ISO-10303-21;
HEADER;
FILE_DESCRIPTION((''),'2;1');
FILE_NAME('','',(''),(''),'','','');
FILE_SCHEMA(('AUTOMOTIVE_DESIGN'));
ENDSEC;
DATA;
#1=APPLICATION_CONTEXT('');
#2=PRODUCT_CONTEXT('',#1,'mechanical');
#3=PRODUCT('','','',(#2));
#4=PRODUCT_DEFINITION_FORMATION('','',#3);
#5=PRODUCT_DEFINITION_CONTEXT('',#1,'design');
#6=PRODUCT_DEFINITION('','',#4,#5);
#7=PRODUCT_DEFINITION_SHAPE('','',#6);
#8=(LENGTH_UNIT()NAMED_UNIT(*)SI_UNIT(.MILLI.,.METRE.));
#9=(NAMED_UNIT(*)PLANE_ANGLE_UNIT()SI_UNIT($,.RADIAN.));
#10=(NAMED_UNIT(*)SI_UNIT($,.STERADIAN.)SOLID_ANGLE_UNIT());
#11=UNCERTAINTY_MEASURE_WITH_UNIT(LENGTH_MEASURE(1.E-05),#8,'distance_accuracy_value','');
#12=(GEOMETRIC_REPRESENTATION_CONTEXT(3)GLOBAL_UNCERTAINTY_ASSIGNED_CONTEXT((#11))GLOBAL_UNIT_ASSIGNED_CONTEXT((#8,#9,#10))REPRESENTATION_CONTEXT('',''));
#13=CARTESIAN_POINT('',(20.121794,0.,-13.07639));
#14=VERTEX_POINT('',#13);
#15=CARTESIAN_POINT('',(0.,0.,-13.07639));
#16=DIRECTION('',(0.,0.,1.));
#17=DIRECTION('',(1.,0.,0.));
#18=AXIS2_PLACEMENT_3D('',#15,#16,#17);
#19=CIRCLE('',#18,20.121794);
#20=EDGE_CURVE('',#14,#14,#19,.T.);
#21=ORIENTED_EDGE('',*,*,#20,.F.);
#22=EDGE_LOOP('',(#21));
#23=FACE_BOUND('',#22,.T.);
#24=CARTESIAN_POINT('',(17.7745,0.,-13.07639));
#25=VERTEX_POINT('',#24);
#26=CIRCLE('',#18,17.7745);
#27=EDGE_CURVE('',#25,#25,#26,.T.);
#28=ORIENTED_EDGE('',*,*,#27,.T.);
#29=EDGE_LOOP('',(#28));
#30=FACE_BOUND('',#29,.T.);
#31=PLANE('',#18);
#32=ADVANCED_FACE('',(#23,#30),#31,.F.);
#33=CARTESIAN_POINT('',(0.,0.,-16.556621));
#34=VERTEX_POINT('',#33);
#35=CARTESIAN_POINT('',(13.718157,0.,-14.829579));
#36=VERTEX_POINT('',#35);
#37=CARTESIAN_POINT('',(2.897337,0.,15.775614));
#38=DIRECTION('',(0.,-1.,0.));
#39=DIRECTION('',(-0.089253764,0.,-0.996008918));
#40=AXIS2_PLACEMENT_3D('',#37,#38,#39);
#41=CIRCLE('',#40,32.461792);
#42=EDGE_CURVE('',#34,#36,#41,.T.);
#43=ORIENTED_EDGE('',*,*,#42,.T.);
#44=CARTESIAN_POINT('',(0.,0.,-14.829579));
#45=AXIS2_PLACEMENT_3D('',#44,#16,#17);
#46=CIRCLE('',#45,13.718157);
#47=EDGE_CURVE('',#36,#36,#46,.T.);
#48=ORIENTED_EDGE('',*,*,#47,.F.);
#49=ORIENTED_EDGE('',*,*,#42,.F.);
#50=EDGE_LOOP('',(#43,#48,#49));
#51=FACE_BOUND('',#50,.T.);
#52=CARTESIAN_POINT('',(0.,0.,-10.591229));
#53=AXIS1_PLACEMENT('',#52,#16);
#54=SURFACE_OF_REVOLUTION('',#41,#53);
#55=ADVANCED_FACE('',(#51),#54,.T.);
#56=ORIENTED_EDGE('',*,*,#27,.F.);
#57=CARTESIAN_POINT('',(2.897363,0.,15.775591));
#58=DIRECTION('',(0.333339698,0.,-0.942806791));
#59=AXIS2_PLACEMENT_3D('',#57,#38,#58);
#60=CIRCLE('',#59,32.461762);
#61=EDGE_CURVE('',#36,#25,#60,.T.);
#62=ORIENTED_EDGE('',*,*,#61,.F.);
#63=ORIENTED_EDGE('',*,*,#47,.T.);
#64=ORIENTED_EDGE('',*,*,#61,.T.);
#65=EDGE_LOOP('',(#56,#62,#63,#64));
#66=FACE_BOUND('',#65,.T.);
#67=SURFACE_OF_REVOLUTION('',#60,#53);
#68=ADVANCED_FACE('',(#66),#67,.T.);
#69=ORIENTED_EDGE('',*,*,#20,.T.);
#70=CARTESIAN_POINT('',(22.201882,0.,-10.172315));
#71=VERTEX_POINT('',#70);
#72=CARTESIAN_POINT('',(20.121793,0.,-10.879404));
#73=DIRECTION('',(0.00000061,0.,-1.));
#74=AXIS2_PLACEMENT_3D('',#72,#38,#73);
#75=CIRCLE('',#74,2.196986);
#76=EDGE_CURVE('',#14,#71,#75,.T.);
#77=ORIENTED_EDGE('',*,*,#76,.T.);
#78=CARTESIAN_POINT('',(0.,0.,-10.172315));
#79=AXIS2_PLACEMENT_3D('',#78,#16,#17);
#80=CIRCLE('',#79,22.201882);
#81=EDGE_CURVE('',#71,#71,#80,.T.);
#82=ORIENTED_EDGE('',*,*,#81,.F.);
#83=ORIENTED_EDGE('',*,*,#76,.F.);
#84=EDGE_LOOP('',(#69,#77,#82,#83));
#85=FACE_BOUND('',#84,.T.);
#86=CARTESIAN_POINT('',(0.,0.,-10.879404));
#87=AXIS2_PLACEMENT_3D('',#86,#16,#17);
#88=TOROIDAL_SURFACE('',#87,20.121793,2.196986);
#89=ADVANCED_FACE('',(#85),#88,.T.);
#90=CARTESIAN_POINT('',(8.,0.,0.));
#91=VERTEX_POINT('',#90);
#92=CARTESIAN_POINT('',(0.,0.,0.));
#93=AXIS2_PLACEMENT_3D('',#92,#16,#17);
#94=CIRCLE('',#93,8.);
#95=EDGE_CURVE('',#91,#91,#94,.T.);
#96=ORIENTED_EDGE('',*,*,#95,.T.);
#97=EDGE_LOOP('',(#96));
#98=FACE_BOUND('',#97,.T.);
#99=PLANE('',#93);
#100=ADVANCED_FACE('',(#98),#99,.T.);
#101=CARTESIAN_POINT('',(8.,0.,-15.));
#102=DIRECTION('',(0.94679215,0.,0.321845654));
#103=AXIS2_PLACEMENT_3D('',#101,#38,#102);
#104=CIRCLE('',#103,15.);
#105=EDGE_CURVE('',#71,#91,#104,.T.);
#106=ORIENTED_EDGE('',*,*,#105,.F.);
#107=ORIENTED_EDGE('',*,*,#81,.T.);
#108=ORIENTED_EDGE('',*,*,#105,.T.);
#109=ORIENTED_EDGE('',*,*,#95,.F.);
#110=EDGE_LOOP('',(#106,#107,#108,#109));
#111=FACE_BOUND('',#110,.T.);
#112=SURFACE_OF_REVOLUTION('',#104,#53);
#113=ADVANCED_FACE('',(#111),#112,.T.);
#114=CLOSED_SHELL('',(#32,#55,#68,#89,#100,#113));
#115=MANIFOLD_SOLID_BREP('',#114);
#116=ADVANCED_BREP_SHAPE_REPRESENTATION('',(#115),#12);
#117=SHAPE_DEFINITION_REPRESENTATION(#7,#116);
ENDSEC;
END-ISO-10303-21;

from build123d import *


with BuildPart() as f1:
    # F0 (on Front) → F1 (revolve)
    with BuildSketch(Plane.XZ):
        with BuildLine():
            Line((8, 0), (0, 0))
            Line((0, 0), (0, -13.07639))
            Line((0, -13.07639), (17.7745, -13.07639))
            Line((17.7745, -13.07639), (20.121794, -13.07639))
            ThreePointArc((20.121794, -13.07639), (21.90788, -12.158716), (22.201882, -10.172315))
            ThreePointArc((22.201882, -10.172315), (16.73455, -2.805426), (8, 0))
        make_face()
        with BuildLine():
            Line((17.7745, -13.07639), (0, -13.07639))
            Line((0, -13.07639), (0, -14.829579))
            Line((0, -14.829579), (13.718157, -14.829579))
            ThreePointArc((13.718157, -14.829579), (15.776196, -14.022088), (17.7745, -13.07639))
        make_face()
        with BuildLine():
            Line((13.718157, -14.829579), (0, -14.829579))
            Line((0, -14.829579), (0, -16.556621))
            ThreePointArc((0, -16.556621), (6.952095, -16.431946), (13.718157, -14.829579))
        make_face()
    revolve(axis=Axis((0, 0, -10.591229), (0, 0, 1)))


solid = f1.part
